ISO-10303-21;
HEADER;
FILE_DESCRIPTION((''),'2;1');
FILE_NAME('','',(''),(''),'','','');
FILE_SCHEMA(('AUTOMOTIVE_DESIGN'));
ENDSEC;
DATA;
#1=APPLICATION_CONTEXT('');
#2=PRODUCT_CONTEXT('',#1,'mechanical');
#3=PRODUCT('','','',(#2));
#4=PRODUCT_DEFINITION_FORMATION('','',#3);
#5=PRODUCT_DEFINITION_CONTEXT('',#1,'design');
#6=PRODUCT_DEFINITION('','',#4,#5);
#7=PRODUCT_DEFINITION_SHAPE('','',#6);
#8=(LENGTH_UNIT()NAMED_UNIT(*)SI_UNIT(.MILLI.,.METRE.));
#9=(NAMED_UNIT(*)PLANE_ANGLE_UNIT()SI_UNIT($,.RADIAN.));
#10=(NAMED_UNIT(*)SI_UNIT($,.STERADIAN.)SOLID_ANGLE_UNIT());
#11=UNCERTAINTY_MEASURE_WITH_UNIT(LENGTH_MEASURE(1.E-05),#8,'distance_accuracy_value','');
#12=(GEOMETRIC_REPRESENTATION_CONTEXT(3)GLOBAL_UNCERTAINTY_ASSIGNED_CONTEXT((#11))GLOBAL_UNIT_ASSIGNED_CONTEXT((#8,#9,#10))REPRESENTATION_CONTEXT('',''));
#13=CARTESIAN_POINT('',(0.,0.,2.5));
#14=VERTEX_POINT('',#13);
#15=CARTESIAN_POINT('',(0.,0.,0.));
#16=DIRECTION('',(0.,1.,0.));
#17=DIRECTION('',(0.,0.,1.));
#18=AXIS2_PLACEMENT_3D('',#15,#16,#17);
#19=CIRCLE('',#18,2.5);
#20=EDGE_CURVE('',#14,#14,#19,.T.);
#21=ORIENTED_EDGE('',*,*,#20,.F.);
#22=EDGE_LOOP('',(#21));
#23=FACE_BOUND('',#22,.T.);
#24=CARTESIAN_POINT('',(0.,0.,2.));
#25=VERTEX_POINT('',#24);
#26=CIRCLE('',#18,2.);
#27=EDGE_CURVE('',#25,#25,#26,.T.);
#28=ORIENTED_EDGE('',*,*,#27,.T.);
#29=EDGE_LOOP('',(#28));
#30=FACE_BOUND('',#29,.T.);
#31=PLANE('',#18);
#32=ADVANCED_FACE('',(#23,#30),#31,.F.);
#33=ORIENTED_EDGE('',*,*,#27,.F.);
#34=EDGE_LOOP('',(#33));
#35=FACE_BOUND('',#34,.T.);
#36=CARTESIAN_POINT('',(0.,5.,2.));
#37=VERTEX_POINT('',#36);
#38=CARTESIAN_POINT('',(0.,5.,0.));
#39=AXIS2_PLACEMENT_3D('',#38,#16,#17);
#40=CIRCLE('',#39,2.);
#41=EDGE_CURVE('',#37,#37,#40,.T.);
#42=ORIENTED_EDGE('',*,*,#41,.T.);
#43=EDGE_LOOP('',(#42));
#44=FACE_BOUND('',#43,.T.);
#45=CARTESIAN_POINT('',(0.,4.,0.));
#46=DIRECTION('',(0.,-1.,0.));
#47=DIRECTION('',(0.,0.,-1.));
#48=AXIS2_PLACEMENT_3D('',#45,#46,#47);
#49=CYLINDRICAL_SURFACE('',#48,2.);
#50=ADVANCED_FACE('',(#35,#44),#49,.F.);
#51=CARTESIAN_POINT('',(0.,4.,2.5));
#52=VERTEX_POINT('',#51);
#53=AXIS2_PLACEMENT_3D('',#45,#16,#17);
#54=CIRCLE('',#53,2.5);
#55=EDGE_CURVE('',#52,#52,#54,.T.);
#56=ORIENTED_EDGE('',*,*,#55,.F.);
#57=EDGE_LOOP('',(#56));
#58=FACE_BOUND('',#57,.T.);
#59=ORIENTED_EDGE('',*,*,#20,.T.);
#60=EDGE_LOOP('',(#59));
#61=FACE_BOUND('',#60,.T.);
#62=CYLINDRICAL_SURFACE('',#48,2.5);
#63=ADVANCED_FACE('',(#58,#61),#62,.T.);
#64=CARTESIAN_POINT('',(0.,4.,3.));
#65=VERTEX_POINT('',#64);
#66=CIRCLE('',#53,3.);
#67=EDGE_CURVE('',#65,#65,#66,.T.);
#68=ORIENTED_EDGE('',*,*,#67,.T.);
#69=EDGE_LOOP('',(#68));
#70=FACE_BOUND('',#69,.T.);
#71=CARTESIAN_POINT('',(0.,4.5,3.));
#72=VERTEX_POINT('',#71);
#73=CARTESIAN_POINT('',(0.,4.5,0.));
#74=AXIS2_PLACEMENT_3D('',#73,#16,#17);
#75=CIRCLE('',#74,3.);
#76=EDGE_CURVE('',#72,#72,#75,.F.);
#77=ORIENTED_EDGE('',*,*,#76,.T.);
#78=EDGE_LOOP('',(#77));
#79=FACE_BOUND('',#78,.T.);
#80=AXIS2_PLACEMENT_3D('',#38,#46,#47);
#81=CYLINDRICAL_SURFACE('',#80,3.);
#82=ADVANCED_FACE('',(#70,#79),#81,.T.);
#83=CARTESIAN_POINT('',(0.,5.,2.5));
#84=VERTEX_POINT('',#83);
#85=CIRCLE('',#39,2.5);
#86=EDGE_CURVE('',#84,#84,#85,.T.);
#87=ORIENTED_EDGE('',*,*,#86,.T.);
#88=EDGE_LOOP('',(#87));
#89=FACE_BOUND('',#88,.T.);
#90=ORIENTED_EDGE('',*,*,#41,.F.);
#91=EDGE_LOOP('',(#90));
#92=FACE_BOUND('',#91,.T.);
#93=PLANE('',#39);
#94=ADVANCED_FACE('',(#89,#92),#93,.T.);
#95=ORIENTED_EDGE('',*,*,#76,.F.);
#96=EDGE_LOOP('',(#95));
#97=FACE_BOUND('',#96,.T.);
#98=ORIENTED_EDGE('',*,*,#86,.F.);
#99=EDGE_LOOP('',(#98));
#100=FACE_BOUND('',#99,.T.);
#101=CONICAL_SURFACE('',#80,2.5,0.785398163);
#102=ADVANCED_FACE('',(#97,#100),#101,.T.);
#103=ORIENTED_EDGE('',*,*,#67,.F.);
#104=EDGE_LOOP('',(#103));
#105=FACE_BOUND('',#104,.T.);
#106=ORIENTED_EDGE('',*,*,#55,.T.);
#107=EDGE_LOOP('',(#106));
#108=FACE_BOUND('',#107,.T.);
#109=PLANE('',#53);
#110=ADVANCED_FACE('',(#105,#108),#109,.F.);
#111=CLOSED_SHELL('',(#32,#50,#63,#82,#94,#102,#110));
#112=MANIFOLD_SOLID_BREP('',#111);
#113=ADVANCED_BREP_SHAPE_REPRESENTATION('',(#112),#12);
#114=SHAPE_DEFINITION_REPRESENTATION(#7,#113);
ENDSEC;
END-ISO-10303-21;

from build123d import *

# Parameters (mm, degrees)
SKETCH2_R           = 2.5
SKETCH2_R_2         = 2
BOSS_EXTRUDE1_DEPTH = 4
SKETCH3_R           = 3
SKETCH3_R_2         = 2
BOSS_EXTRUDE2_DEPTH = 1
CHAMFER1_SIZE       = 0.5


with BuildPart() as part:
    # Sketch2 → Boss-Extrude1 (new body)
    with BuildSketch(Plane(origin=(0, 0, 0), x_dir=(1, 0, 0), z_dir=(0, 1, 0))):
        Circle(SKETCH2_R)
        Circle(SKETCH2_R_2, mode=Mode.SUBTRACT)
    extrude(amount=BOSS_EXTRUDE1_DEPTH)

    # Sketch3 → Boss-Extrude2 (add)
    with BuildSketch(Plane(origin=(0, 4, 0), x_dir=(1, 0, 0), z_dir=(0, 1, 0))):
        Circle(SKETCH3_R)
        Circle(SKETCH3_R_2, mode=Mode.SUBTRACT)
    extrude(amount=BOSS_EXTRUDE2_DEPTH)

    # Chamfer1
    chamfer1_edges = [part.edges().sort_by_distance(p)[0] for p in [
        (-3, 5, 0),
    ]]
    chamfer(chamfer1_edges, length=CHAMFER1_SIZE)


solid = part.part
